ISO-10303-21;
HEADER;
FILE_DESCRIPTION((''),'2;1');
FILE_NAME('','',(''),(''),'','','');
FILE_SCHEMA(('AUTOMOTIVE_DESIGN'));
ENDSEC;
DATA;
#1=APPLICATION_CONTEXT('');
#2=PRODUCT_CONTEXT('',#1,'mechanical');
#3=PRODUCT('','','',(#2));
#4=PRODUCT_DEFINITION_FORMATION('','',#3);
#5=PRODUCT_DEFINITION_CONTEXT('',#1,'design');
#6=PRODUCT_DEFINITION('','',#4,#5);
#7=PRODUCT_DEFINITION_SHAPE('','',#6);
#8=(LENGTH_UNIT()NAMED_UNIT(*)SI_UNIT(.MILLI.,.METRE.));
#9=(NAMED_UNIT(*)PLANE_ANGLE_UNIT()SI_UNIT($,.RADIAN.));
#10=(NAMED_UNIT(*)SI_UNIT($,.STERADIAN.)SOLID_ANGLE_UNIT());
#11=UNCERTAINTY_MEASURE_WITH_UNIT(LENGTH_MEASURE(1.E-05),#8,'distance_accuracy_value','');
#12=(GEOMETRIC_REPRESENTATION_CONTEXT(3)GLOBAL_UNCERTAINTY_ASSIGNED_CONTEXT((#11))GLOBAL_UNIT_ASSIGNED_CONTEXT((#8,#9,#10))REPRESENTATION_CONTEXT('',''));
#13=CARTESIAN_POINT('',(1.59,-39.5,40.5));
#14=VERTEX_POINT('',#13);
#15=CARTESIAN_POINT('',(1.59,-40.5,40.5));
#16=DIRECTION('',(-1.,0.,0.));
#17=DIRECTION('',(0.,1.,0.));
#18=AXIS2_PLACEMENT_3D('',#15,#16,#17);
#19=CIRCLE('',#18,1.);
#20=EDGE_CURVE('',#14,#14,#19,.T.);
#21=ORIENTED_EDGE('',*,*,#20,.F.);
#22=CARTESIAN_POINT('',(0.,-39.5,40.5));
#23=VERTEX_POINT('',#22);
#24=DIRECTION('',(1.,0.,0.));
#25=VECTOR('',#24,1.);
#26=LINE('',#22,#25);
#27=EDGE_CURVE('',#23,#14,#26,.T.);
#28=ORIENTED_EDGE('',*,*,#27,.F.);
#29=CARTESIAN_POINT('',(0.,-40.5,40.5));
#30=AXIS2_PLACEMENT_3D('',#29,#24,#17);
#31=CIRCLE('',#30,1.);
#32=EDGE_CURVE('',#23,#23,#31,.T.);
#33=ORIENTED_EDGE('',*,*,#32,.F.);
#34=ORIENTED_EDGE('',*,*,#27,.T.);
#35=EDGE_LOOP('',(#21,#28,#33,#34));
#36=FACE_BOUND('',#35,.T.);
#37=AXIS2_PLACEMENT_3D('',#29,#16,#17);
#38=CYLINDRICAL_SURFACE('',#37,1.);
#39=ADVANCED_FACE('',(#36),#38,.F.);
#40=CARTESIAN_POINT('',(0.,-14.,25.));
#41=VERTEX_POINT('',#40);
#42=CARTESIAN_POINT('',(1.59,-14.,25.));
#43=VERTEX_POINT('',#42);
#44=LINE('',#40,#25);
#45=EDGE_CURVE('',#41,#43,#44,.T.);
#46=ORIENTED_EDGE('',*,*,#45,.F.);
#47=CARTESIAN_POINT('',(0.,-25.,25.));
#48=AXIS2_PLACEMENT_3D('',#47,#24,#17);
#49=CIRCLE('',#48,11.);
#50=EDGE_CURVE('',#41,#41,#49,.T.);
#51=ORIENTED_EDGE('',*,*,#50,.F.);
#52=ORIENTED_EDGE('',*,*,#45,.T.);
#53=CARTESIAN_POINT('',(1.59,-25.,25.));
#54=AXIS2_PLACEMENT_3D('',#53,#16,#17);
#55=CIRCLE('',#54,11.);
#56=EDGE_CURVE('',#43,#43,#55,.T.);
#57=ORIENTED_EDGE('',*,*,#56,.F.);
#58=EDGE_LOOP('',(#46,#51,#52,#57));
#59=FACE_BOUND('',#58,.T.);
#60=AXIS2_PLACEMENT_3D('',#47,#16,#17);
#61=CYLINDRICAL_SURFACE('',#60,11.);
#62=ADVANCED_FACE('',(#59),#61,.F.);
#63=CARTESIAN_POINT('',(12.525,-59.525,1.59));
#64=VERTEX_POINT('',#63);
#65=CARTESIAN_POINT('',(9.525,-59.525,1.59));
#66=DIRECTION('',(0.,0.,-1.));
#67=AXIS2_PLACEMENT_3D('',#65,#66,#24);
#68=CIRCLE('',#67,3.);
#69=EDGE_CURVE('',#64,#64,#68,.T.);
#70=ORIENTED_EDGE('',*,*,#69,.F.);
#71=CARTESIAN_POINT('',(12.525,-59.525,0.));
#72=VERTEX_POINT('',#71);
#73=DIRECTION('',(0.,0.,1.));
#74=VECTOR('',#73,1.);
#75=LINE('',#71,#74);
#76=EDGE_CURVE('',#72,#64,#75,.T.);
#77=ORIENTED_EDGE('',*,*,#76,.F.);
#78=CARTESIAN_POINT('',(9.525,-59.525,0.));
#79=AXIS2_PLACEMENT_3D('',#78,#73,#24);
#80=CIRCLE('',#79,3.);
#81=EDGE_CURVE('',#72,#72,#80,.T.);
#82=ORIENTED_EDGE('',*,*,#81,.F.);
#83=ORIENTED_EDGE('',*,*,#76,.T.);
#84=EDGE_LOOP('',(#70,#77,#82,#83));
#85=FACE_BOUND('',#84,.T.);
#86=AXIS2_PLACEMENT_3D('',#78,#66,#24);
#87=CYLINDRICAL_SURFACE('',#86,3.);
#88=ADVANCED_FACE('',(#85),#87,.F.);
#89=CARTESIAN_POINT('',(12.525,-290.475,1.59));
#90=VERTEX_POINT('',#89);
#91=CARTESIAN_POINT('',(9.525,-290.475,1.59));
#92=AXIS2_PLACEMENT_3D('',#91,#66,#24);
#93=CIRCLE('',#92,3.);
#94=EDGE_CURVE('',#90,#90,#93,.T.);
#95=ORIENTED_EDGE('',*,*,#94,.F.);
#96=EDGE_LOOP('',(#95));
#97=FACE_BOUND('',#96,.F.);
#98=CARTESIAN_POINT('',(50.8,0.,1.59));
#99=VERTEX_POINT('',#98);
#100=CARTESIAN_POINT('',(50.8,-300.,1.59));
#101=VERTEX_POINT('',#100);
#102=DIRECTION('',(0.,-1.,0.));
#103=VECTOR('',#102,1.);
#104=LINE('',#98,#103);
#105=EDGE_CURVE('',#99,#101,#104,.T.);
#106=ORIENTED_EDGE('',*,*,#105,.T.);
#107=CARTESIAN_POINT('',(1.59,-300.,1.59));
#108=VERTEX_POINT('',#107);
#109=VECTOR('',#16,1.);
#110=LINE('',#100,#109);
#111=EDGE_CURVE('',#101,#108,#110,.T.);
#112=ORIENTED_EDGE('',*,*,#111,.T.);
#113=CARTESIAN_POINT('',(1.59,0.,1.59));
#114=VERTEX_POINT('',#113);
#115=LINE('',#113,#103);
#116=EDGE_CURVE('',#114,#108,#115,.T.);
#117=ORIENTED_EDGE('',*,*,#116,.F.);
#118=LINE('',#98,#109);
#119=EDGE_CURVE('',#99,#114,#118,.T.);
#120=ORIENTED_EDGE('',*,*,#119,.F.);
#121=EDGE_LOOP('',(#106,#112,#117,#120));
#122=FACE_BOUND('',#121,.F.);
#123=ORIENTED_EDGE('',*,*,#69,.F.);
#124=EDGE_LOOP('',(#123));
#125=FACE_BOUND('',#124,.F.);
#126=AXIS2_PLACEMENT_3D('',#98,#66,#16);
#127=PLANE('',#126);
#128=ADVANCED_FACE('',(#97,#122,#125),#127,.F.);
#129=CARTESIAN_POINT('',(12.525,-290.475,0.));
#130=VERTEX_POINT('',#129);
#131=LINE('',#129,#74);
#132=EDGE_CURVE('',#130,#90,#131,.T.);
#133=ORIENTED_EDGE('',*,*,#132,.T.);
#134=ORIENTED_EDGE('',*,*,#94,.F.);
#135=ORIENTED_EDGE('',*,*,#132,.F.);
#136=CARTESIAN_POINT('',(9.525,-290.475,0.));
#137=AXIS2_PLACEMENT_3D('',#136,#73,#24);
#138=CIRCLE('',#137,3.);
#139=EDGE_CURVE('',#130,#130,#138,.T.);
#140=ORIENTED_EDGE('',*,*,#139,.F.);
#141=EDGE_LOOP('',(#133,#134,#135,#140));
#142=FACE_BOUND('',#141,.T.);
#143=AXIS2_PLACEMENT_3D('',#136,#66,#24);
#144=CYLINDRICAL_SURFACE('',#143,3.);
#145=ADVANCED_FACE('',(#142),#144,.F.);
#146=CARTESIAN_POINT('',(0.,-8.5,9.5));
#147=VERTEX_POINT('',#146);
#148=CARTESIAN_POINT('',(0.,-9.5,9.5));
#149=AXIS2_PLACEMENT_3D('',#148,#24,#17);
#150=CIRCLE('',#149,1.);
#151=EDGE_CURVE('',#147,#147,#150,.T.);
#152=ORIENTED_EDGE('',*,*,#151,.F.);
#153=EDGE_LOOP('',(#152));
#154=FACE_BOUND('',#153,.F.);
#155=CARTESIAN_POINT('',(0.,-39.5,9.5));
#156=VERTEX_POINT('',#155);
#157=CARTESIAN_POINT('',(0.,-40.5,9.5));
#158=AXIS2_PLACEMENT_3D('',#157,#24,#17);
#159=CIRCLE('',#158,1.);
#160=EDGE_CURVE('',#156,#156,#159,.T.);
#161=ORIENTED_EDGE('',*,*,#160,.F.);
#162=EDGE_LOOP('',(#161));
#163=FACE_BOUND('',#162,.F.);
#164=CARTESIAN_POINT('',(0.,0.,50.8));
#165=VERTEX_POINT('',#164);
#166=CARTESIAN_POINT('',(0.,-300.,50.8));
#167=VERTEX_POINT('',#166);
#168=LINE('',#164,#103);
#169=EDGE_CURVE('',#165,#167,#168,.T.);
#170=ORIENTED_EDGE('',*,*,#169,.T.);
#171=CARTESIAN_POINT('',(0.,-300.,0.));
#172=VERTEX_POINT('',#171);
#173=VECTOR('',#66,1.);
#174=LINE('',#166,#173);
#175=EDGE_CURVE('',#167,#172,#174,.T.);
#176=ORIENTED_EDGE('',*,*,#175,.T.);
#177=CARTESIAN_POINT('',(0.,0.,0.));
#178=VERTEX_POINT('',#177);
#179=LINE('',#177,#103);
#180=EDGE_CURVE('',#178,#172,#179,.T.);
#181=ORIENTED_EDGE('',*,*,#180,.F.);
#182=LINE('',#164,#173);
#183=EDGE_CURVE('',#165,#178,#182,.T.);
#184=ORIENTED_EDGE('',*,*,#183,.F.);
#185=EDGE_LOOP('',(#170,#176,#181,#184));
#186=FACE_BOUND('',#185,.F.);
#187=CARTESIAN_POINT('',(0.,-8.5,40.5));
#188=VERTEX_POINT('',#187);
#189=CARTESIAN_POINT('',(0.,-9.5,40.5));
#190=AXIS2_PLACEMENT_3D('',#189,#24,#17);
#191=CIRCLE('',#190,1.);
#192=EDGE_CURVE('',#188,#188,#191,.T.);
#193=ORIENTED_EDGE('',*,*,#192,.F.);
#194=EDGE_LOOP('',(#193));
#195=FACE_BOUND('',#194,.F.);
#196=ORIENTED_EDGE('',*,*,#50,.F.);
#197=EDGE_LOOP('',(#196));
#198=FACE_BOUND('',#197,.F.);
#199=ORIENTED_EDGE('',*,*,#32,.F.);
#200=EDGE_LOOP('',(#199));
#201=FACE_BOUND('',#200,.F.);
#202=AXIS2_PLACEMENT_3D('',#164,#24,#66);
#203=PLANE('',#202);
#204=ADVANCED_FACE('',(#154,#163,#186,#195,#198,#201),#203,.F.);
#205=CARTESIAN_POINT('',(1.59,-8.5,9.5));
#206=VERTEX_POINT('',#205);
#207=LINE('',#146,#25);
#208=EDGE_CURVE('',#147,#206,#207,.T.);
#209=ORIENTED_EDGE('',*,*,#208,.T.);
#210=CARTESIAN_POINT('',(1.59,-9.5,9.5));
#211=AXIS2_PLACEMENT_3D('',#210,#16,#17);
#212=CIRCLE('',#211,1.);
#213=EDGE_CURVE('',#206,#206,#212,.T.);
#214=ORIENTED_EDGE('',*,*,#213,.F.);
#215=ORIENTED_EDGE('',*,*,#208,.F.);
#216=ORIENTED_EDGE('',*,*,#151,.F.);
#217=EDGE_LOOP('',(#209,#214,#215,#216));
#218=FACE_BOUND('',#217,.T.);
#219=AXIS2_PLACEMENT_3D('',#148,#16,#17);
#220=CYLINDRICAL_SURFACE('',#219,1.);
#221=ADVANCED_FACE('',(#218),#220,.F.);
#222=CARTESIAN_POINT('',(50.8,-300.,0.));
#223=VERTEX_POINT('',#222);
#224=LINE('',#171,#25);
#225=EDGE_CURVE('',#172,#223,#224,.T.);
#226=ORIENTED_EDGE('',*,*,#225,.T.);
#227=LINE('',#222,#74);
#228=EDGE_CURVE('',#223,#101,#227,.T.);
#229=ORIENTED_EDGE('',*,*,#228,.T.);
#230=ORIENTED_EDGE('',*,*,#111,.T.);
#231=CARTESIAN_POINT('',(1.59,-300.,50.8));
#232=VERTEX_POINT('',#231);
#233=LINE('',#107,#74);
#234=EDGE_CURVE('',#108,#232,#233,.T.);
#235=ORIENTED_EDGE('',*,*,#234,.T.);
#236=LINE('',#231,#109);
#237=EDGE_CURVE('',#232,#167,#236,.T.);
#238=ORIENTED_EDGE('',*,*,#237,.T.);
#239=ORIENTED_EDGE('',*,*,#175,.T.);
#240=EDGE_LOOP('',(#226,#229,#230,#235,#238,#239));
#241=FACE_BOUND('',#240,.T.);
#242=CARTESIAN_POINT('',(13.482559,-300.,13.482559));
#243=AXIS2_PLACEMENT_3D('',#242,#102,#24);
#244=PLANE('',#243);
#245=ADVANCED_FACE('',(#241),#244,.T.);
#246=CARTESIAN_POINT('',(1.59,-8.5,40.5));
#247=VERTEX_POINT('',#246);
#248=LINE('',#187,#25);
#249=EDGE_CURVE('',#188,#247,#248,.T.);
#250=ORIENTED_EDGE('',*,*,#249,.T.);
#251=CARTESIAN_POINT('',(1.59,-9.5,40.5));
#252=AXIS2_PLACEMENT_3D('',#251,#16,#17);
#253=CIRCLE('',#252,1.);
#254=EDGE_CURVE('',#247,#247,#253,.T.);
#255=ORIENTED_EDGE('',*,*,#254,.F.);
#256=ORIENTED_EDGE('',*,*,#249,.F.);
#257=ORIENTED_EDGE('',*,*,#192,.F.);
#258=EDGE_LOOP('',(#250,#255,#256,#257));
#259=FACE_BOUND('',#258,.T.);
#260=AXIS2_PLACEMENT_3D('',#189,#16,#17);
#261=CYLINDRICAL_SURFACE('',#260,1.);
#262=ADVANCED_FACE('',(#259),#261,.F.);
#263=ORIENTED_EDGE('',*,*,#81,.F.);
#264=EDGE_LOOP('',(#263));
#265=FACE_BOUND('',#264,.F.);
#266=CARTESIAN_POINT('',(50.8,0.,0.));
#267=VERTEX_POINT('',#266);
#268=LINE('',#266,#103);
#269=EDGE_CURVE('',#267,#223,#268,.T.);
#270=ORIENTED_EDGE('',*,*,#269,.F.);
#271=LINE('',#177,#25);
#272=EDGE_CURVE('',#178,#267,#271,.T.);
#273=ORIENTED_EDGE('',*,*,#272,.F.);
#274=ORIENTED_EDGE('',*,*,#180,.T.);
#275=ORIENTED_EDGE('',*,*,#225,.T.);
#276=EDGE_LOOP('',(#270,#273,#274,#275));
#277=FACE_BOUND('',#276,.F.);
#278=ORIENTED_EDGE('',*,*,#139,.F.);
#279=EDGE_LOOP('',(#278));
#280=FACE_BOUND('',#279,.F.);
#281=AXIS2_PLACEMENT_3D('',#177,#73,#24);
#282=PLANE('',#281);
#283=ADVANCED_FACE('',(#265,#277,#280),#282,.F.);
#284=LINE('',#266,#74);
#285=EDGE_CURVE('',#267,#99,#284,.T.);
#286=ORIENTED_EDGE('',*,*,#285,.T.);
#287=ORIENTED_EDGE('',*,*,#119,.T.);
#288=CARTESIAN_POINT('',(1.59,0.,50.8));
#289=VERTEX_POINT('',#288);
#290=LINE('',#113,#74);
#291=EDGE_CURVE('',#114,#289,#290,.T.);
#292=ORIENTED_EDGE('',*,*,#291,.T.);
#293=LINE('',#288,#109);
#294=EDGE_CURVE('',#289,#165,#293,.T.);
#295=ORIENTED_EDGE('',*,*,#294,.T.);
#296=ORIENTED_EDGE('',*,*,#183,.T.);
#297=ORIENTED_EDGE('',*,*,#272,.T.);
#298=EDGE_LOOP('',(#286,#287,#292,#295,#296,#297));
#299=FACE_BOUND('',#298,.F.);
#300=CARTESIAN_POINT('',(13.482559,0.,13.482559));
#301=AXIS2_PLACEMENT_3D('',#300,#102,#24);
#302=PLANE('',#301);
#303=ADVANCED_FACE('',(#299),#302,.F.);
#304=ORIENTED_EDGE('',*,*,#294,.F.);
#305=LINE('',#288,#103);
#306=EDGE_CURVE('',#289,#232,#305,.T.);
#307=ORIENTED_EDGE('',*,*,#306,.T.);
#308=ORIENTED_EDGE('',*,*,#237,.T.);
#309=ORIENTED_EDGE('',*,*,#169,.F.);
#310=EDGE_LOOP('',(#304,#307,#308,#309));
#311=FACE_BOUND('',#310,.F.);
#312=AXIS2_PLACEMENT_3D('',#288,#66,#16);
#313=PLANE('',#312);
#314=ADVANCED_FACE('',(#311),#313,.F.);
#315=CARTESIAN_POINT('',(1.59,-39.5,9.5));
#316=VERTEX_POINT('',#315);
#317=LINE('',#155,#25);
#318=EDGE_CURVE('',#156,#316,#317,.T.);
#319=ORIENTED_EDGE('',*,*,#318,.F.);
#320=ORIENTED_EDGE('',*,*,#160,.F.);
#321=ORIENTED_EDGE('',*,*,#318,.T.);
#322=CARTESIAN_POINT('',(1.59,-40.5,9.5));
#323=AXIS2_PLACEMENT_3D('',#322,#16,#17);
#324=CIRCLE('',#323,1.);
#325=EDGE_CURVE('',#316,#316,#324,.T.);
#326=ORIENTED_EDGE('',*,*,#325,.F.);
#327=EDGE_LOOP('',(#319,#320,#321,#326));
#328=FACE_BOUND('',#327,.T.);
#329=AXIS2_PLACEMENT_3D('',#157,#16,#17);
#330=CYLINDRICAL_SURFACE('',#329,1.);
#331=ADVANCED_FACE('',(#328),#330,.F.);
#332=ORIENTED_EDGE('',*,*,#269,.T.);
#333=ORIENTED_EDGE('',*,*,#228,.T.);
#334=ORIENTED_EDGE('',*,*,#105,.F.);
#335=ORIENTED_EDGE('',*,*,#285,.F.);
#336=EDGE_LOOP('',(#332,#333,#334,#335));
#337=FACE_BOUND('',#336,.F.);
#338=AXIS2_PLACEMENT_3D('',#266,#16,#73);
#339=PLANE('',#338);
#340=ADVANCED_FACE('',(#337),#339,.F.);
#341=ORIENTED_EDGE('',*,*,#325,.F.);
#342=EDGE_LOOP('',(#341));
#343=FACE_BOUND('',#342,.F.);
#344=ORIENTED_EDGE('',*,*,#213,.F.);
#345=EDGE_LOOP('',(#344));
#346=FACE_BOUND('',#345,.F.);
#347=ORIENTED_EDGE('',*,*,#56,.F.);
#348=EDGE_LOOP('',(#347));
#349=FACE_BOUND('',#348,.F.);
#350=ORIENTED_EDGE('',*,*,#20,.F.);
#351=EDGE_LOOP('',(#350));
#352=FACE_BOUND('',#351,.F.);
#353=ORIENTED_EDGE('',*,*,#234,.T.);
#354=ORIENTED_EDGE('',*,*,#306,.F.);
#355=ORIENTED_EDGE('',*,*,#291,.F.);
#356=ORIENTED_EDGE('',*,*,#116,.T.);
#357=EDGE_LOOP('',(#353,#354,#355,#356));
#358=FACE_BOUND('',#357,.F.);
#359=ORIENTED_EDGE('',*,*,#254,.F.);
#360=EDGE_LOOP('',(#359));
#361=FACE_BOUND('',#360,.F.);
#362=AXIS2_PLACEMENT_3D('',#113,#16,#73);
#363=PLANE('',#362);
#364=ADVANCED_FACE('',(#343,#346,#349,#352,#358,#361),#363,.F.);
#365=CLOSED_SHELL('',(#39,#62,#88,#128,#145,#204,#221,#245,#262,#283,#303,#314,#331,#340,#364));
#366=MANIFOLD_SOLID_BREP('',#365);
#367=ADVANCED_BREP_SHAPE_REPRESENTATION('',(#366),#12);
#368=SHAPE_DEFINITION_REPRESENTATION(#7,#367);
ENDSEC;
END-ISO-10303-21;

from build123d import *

# Parameters (mm, degrees)
F1_DEPTH = 300
F2_R     = 3
F3_DEPTH = 50.801
F4_R     = 11
F4_R_2   = 1
F5_DEPTH = 50.801


with BuildPart() as f1:
    # F0 (on Front) → F1 (new body)
    with BuildSketch(Plane.XZ):
        Polygon((0, 50.8), (0, 0), (50.8, 0), (50.8, 1.59), (1.59, 1.59), (1.59, 50.8), align=None)
    extrude(amount=F1_DEPTH)

    # F2 (on Top) → F3 (cut, through all)
    with BuildSketch(Plane.XY):
        with Locations((9.525, -59.525)):
            Circle(F2_R)
        with Locations((9.525, -290.475)):
            Circle(F2_R)
    extrude(amount=F3_DEPTH, mode=Mode.SUBTRACT)

    # F4 (on Right) → F5 (cut, through all)
    with BuildSketch(Plane.YZ):
        with Locations((-25, 25)):
            Circle(F4_R)
        with Locations((-40.5, 9.5)):
            Circle(F4_R_2)
        with Locations((-9.5, 9.5)):
            Circle(F4_R_2)
        with Locations((-9.5, 40.5)):
            Circle(F4_R_2)
        with Locations((-40.5, 40.5)):
            Circle(F4_R_2)
    extrude(amount=F5_DEPTH, mode=Mode.SUBTRACT)


solid = f1.part
